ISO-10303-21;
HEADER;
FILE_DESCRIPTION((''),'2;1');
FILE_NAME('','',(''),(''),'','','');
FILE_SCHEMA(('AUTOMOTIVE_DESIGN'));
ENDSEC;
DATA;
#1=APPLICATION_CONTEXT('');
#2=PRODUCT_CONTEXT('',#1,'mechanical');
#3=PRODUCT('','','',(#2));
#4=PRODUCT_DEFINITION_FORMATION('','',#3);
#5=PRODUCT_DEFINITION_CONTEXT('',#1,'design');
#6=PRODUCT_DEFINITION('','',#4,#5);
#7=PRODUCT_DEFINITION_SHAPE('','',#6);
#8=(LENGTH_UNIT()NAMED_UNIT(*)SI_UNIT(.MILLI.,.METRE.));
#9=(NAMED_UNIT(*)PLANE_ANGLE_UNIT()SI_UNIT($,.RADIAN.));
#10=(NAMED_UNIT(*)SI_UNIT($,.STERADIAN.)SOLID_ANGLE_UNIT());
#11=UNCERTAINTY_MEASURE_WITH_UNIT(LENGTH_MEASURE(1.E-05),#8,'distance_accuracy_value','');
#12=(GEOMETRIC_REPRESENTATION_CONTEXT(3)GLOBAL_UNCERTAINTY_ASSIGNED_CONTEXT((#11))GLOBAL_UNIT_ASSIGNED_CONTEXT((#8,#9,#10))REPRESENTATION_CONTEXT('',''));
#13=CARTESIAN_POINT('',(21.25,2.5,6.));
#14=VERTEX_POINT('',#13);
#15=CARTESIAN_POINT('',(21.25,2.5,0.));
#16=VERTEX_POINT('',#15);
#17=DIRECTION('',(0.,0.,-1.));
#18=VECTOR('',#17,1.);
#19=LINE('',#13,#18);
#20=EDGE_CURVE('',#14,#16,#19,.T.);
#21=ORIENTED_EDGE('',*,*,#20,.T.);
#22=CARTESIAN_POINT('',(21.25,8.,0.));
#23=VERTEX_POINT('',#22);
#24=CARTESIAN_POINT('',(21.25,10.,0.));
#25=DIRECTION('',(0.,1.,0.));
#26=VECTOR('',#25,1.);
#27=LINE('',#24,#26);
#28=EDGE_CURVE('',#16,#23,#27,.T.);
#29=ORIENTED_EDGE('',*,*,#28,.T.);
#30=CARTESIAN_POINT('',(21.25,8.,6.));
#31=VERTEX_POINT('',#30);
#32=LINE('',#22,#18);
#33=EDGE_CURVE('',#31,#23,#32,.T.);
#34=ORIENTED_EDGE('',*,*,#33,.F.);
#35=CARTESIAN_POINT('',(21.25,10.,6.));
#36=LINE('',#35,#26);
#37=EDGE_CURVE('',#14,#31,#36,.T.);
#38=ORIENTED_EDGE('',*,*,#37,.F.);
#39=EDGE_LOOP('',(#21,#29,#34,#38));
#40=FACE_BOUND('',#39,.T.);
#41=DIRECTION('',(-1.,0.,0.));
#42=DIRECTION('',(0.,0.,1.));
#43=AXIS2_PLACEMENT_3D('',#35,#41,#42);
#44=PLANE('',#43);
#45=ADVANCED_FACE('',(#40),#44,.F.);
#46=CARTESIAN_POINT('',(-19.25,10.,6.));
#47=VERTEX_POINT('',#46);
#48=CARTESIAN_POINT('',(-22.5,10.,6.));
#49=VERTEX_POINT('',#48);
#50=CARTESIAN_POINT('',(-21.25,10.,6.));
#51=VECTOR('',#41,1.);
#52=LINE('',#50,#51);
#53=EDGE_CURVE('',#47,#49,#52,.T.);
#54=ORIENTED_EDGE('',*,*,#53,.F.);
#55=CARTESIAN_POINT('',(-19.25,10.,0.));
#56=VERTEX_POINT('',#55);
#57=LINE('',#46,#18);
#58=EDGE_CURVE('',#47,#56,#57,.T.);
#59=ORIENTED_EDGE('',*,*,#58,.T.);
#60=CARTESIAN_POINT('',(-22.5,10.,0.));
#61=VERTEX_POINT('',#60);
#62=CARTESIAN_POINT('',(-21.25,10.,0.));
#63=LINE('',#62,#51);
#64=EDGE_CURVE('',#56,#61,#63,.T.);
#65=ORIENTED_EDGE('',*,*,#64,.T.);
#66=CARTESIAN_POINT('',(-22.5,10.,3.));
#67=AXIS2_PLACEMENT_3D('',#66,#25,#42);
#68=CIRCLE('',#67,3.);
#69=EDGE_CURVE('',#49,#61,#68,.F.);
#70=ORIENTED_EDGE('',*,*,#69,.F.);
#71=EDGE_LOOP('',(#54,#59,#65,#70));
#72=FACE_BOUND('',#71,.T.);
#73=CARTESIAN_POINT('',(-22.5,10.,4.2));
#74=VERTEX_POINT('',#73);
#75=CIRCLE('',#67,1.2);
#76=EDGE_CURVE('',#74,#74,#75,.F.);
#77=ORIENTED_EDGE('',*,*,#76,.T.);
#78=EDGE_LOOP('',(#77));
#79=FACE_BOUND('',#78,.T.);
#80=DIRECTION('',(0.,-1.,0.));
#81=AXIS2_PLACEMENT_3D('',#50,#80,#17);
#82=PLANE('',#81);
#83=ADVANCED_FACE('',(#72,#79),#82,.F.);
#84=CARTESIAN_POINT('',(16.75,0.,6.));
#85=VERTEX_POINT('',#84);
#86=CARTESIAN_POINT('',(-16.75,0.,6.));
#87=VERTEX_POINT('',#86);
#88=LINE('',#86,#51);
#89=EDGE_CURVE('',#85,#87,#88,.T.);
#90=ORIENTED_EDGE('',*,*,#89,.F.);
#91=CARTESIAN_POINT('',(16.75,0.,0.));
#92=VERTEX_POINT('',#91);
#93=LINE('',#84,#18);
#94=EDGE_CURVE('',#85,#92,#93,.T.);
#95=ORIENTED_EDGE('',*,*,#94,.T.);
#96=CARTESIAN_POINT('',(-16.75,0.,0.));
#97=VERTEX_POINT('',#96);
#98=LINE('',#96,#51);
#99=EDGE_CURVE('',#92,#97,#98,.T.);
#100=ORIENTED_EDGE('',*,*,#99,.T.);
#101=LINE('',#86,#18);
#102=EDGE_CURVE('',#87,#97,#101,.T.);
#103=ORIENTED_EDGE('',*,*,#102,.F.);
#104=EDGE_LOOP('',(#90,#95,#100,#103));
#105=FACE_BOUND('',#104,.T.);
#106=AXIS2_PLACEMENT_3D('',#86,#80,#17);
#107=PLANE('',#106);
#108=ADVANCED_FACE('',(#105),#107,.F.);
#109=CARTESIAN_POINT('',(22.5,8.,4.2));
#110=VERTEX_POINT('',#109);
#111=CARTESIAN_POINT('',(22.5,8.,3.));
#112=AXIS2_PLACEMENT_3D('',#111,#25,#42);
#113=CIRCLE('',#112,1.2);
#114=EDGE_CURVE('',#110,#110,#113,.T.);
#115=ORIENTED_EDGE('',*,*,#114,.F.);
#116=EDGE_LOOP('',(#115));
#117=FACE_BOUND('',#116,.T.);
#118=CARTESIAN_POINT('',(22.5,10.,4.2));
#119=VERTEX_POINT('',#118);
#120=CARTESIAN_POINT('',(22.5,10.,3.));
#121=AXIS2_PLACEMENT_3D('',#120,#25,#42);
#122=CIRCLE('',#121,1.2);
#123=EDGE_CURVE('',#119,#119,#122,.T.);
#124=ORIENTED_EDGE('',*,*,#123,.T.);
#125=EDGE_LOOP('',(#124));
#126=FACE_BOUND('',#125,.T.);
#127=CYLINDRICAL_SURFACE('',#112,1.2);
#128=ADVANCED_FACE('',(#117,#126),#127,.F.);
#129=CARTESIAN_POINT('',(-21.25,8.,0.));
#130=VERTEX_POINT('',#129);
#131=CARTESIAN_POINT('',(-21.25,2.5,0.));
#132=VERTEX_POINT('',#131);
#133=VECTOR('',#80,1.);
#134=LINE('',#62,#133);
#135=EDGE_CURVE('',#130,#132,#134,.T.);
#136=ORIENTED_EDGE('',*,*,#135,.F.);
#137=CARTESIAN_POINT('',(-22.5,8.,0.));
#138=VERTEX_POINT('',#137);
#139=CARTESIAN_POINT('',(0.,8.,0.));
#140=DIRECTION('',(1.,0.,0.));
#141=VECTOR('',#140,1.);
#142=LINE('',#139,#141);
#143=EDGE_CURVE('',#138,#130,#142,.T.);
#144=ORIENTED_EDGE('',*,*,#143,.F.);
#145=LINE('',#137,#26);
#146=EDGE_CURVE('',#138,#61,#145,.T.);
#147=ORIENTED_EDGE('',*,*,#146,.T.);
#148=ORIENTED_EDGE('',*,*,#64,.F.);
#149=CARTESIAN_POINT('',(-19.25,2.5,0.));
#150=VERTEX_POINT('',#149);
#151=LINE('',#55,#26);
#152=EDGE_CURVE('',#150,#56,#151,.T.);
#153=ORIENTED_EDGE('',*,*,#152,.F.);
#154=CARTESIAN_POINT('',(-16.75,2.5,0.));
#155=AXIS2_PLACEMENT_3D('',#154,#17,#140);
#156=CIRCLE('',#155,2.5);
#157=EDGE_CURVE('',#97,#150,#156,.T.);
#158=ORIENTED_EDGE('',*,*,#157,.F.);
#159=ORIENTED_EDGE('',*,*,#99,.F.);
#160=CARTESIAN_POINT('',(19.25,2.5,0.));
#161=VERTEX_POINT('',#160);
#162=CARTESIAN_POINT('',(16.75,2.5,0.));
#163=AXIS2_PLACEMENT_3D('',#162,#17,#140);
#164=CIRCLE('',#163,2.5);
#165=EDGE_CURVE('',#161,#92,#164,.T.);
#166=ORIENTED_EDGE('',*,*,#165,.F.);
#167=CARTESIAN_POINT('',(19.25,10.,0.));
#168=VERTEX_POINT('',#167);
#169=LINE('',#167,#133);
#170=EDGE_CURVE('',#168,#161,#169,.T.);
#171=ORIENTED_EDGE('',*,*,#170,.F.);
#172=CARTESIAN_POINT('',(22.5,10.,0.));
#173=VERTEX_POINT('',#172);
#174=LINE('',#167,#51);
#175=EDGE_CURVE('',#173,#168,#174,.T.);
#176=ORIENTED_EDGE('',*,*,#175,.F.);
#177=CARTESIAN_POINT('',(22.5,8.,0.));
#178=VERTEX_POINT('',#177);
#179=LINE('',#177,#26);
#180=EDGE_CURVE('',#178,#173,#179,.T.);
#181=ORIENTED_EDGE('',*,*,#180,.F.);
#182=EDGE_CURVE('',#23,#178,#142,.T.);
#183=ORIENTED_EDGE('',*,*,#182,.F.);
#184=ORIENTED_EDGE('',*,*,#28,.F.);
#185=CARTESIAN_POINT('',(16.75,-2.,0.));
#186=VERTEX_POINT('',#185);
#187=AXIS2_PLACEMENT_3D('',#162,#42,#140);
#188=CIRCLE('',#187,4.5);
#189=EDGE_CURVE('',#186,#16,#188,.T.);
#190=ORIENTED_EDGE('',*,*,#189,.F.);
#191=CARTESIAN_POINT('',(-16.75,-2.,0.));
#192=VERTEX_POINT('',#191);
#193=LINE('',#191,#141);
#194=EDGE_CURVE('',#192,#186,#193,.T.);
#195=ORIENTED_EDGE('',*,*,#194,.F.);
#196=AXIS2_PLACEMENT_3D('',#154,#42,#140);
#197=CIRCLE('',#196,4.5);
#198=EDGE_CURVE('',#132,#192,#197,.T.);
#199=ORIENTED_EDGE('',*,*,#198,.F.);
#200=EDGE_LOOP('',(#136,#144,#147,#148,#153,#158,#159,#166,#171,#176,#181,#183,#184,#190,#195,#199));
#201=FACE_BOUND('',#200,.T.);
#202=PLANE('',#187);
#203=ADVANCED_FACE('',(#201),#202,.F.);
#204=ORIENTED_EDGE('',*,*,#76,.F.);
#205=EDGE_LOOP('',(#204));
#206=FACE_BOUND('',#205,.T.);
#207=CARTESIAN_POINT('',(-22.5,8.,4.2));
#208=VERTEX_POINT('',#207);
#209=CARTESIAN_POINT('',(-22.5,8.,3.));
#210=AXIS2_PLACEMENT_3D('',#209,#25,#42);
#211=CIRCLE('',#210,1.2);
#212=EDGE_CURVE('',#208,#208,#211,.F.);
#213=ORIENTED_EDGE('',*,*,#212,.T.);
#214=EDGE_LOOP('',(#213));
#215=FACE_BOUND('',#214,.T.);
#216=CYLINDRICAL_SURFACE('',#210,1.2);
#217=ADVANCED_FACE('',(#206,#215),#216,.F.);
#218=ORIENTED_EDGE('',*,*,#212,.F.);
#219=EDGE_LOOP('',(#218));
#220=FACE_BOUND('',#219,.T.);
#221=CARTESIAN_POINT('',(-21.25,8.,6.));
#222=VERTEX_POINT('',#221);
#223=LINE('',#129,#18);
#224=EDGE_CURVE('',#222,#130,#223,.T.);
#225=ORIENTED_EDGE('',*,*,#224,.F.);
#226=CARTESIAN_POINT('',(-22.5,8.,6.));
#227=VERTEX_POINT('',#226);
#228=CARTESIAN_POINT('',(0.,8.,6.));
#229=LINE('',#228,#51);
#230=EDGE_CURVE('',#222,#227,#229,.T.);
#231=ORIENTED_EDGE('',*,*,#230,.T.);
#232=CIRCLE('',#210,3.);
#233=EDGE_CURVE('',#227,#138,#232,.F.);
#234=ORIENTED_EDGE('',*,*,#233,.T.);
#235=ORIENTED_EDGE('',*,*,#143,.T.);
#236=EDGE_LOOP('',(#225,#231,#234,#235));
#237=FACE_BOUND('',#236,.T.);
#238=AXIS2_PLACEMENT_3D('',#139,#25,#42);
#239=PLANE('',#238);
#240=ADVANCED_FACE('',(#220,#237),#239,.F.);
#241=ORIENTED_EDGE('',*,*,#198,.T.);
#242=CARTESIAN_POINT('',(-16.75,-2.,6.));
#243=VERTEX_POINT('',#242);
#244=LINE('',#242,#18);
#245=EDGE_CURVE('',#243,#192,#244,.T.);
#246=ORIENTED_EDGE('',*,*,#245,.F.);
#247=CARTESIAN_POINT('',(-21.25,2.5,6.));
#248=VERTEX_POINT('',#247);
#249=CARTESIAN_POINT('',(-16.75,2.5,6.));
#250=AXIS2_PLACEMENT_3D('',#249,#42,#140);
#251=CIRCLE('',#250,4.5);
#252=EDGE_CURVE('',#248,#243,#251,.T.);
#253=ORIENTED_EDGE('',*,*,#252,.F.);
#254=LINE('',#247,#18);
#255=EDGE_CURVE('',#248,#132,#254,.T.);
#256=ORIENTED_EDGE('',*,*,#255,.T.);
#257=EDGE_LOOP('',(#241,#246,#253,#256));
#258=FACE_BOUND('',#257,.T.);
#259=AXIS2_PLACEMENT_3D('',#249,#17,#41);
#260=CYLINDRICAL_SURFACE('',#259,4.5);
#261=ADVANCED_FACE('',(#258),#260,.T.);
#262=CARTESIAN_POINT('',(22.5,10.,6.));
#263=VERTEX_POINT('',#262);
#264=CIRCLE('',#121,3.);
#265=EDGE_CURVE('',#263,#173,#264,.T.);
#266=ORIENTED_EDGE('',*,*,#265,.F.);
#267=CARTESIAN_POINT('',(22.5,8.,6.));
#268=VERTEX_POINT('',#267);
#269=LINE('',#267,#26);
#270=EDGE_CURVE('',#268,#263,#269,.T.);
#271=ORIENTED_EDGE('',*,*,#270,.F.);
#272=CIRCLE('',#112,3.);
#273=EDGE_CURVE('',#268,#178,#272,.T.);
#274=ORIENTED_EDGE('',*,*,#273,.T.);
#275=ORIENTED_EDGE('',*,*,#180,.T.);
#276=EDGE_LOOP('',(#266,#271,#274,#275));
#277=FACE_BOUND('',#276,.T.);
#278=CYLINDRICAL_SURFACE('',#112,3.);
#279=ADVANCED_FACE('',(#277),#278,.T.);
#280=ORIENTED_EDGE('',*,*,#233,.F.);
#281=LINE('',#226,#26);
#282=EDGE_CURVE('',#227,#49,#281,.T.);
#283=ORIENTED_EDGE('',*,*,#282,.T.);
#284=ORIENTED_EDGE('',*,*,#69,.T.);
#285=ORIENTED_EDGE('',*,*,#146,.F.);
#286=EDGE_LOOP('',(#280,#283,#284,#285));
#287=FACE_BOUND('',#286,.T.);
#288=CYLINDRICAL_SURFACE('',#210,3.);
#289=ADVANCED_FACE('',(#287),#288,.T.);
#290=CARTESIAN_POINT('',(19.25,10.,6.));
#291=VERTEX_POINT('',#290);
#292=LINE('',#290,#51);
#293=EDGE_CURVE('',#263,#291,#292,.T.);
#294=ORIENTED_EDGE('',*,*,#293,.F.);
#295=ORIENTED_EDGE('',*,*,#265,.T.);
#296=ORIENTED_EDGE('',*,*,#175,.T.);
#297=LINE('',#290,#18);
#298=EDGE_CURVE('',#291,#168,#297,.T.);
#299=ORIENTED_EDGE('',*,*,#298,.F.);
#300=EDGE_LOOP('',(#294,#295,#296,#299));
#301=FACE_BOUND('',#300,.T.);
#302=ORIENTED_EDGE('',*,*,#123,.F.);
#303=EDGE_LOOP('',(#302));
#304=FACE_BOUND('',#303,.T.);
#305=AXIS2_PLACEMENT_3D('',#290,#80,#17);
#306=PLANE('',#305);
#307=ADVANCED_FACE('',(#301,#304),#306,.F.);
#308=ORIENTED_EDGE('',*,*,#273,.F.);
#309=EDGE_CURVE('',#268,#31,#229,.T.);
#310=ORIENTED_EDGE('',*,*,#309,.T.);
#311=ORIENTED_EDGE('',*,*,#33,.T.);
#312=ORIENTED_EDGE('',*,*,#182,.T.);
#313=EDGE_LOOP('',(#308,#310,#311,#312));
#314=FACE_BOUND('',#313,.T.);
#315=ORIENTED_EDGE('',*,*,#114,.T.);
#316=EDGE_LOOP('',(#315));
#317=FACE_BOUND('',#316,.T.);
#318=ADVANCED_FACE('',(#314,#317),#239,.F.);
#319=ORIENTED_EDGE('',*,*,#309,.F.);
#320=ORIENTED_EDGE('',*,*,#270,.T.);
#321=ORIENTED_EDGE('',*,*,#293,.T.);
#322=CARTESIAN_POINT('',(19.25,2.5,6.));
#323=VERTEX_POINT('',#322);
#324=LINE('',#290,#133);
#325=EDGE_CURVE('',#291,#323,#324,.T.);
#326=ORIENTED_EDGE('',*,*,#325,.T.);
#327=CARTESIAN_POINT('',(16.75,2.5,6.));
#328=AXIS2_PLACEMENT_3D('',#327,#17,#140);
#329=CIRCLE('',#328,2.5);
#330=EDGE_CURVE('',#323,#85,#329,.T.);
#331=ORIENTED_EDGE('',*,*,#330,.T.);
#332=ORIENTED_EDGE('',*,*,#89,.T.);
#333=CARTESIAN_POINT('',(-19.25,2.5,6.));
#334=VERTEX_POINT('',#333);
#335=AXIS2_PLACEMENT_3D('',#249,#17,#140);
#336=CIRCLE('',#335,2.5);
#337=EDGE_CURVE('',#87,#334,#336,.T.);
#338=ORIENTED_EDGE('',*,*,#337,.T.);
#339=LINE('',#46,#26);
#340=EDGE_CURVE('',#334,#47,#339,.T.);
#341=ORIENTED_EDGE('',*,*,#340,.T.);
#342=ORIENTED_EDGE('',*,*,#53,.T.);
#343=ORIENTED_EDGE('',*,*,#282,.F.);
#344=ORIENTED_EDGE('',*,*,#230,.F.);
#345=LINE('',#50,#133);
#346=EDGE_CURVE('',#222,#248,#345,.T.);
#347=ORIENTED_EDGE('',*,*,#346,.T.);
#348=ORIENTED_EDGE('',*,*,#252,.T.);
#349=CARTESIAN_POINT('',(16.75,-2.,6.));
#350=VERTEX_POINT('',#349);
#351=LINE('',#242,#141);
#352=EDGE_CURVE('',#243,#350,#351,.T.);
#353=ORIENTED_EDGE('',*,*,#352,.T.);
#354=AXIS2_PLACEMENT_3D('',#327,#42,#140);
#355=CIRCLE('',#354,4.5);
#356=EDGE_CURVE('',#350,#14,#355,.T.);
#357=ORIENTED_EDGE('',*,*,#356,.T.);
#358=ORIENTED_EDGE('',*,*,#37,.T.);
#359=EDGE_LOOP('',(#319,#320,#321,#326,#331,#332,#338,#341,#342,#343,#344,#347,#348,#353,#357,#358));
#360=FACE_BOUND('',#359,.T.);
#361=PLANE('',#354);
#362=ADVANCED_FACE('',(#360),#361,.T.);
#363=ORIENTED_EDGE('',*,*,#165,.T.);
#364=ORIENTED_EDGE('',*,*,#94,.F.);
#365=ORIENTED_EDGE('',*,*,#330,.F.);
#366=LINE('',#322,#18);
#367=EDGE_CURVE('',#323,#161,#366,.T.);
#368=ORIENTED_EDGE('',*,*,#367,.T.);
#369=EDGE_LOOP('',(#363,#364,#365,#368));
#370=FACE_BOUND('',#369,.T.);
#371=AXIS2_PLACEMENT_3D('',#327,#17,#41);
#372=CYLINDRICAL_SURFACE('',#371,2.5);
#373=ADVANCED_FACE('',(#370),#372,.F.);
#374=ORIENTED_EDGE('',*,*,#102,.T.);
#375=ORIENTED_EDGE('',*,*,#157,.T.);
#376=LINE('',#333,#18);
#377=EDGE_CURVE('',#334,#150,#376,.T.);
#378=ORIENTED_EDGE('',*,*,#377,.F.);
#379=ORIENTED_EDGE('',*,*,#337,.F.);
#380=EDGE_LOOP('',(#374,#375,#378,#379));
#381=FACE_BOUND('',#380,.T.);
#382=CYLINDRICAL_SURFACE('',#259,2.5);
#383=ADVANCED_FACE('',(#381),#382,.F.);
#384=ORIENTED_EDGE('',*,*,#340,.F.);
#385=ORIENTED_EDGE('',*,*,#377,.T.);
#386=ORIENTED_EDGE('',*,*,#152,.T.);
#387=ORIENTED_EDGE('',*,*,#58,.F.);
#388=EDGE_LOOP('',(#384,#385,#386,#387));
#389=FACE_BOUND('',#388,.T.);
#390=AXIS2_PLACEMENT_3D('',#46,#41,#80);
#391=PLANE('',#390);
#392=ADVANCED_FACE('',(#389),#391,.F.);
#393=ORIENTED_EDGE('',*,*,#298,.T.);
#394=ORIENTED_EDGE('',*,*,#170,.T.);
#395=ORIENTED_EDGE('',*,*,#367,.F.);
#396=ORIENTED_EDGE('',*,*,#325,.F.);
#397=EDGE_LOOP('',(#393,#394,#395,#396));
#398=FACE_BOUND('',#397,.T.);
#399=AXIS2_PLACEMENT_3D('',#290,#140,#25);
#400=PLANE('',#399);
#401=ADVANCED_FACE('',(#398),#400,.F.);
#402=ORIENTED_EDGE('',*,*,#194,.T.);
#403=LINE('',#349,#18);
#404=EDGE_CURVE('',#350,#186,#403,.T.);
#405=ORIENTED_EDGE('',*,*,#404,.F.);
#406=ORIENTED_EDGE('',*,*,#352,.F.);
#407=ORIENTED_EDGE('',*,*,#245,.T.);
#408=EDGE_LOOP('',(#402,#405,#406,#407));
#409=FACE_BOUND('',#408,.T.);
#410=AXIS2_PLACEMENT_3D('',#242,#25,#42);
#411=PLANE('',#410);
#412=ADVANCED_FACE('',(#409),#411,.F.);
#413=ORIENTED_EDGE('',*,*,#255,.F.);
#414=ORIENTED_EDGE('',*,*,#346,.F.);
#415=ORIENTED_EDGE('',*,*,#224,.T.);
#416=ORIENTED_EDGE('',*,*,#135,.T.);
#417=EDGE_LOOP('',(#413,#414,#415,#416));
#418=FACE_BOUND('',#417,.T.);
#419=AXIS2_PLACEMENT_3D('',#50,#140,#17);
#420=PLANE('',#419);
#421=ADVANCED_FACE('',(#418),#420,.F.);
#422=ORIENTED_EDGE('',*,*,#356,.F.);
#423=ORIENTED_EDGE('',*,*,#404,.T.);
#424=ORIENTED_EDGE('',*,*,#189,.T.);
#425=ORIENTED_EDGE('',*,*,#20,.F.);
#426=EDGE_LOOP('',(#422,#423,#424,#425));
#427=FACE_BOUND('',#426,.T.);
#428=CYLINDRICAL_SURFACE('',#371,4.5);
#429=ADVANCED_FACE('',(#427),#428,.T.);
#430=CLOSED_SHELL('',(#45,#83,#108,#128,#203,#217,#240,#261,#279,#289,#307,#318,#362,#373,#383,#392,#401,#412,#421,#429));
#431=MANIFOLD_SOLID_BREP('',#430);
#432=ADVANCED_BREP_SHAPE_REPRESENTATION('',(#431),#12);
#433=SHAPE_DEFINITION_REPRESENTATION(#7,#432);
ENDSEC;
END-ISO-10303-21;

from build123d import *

# Parameters (mm, degrees)
BOSS_EXTRUDE1_DEPTH = 6
SKETCH3_R           = 1.2
BOSS_EXTRUDE6_DEPTH = 2


with BuildPart() as part:
    # Sketch1 → Boss-Extrude1 (new body)
    with BuildSketch(Plane.XY):
        with BuildLine():
            Line((-21.25, 10), (-21.25, 2.5))
            ThreePointArc((-21.25, 2.5), (-19.931980515, -0.681980515), (-16.75, -2))
            Line((-16.75, -2), (16.75, -2))
            ThreePointArc((16.75, -2), (19.931980515, -0.681980515), (21.25, 2.5))
            Line((21.25, 2.5), (21.25, 10))
            Line((21.25, 10), (19.25, 10))
            Line((19.25, 10), (19.25, 2.5))
            ThreePointArc((19.25, 2.5), (18.517766953, 0.732233047), (16.75, 0))
            Line((16.75, 0), (-16.75, 0))
            ThreePointArc((-16.75, 0), (-18.517766953, 0.732233047), (-19.25, 2.5))
            Line((-19.25, 2.5), (-19.25, 10))
            Line((-19.25, 10), (-21.25, 10))
        make_face()
    extrude(amount=BOSS_EXTRUDE1_DEPTH)

    # Sketch3 → Boss-Extrude6 (add)
    # profile 1 of 2: a face of its own
    with BuildSketch(Plane(origin=(0, 10, 0), x_dir=(-1, 0, 0), z_dir=(0, 1, 0))):
        with BuildLine():
            Line((-21.25, 6), (-22.5, 6))
            ThreePointArc((-22.5, 6), (-25.5, 3), (-22.5, 0))
            Line((-22.5, 0), (-21.25, 0))
            Line((-21.25, 0), (-21.25, 6))
        make_face()
        with Locations(Location((-22.5, 3, 0), (0, 0, 90))):
            Circle(SKETCH3_R, mode=Mode.SUBTRACT)
    # profile 2 of 2: a face of its own
    with BuildSketch(Plane(origin=(0, 10, 0), x_dir=(-1, 0, 0), z_dir=(0, 1, 0))):
        with BuildLine():
            Line((22.5, 6), (21.25, 6))
            Line((21.25, 6), (21.25, 0))
            Line((21.25, 0), (22.5, 0))
            ThreePointArc((22.5, 0), (25.5, 3), (22.5, 6))
        make_face()
        with Locations(Location((22.5, 3, 0), (0, 0, 90))):
            Circle(SKETCH3_R, mode=Mode.SUBTRACT)
    extrude(amount=-BOSS_EXTRUDE6_DEPTH)


solid = part.part
